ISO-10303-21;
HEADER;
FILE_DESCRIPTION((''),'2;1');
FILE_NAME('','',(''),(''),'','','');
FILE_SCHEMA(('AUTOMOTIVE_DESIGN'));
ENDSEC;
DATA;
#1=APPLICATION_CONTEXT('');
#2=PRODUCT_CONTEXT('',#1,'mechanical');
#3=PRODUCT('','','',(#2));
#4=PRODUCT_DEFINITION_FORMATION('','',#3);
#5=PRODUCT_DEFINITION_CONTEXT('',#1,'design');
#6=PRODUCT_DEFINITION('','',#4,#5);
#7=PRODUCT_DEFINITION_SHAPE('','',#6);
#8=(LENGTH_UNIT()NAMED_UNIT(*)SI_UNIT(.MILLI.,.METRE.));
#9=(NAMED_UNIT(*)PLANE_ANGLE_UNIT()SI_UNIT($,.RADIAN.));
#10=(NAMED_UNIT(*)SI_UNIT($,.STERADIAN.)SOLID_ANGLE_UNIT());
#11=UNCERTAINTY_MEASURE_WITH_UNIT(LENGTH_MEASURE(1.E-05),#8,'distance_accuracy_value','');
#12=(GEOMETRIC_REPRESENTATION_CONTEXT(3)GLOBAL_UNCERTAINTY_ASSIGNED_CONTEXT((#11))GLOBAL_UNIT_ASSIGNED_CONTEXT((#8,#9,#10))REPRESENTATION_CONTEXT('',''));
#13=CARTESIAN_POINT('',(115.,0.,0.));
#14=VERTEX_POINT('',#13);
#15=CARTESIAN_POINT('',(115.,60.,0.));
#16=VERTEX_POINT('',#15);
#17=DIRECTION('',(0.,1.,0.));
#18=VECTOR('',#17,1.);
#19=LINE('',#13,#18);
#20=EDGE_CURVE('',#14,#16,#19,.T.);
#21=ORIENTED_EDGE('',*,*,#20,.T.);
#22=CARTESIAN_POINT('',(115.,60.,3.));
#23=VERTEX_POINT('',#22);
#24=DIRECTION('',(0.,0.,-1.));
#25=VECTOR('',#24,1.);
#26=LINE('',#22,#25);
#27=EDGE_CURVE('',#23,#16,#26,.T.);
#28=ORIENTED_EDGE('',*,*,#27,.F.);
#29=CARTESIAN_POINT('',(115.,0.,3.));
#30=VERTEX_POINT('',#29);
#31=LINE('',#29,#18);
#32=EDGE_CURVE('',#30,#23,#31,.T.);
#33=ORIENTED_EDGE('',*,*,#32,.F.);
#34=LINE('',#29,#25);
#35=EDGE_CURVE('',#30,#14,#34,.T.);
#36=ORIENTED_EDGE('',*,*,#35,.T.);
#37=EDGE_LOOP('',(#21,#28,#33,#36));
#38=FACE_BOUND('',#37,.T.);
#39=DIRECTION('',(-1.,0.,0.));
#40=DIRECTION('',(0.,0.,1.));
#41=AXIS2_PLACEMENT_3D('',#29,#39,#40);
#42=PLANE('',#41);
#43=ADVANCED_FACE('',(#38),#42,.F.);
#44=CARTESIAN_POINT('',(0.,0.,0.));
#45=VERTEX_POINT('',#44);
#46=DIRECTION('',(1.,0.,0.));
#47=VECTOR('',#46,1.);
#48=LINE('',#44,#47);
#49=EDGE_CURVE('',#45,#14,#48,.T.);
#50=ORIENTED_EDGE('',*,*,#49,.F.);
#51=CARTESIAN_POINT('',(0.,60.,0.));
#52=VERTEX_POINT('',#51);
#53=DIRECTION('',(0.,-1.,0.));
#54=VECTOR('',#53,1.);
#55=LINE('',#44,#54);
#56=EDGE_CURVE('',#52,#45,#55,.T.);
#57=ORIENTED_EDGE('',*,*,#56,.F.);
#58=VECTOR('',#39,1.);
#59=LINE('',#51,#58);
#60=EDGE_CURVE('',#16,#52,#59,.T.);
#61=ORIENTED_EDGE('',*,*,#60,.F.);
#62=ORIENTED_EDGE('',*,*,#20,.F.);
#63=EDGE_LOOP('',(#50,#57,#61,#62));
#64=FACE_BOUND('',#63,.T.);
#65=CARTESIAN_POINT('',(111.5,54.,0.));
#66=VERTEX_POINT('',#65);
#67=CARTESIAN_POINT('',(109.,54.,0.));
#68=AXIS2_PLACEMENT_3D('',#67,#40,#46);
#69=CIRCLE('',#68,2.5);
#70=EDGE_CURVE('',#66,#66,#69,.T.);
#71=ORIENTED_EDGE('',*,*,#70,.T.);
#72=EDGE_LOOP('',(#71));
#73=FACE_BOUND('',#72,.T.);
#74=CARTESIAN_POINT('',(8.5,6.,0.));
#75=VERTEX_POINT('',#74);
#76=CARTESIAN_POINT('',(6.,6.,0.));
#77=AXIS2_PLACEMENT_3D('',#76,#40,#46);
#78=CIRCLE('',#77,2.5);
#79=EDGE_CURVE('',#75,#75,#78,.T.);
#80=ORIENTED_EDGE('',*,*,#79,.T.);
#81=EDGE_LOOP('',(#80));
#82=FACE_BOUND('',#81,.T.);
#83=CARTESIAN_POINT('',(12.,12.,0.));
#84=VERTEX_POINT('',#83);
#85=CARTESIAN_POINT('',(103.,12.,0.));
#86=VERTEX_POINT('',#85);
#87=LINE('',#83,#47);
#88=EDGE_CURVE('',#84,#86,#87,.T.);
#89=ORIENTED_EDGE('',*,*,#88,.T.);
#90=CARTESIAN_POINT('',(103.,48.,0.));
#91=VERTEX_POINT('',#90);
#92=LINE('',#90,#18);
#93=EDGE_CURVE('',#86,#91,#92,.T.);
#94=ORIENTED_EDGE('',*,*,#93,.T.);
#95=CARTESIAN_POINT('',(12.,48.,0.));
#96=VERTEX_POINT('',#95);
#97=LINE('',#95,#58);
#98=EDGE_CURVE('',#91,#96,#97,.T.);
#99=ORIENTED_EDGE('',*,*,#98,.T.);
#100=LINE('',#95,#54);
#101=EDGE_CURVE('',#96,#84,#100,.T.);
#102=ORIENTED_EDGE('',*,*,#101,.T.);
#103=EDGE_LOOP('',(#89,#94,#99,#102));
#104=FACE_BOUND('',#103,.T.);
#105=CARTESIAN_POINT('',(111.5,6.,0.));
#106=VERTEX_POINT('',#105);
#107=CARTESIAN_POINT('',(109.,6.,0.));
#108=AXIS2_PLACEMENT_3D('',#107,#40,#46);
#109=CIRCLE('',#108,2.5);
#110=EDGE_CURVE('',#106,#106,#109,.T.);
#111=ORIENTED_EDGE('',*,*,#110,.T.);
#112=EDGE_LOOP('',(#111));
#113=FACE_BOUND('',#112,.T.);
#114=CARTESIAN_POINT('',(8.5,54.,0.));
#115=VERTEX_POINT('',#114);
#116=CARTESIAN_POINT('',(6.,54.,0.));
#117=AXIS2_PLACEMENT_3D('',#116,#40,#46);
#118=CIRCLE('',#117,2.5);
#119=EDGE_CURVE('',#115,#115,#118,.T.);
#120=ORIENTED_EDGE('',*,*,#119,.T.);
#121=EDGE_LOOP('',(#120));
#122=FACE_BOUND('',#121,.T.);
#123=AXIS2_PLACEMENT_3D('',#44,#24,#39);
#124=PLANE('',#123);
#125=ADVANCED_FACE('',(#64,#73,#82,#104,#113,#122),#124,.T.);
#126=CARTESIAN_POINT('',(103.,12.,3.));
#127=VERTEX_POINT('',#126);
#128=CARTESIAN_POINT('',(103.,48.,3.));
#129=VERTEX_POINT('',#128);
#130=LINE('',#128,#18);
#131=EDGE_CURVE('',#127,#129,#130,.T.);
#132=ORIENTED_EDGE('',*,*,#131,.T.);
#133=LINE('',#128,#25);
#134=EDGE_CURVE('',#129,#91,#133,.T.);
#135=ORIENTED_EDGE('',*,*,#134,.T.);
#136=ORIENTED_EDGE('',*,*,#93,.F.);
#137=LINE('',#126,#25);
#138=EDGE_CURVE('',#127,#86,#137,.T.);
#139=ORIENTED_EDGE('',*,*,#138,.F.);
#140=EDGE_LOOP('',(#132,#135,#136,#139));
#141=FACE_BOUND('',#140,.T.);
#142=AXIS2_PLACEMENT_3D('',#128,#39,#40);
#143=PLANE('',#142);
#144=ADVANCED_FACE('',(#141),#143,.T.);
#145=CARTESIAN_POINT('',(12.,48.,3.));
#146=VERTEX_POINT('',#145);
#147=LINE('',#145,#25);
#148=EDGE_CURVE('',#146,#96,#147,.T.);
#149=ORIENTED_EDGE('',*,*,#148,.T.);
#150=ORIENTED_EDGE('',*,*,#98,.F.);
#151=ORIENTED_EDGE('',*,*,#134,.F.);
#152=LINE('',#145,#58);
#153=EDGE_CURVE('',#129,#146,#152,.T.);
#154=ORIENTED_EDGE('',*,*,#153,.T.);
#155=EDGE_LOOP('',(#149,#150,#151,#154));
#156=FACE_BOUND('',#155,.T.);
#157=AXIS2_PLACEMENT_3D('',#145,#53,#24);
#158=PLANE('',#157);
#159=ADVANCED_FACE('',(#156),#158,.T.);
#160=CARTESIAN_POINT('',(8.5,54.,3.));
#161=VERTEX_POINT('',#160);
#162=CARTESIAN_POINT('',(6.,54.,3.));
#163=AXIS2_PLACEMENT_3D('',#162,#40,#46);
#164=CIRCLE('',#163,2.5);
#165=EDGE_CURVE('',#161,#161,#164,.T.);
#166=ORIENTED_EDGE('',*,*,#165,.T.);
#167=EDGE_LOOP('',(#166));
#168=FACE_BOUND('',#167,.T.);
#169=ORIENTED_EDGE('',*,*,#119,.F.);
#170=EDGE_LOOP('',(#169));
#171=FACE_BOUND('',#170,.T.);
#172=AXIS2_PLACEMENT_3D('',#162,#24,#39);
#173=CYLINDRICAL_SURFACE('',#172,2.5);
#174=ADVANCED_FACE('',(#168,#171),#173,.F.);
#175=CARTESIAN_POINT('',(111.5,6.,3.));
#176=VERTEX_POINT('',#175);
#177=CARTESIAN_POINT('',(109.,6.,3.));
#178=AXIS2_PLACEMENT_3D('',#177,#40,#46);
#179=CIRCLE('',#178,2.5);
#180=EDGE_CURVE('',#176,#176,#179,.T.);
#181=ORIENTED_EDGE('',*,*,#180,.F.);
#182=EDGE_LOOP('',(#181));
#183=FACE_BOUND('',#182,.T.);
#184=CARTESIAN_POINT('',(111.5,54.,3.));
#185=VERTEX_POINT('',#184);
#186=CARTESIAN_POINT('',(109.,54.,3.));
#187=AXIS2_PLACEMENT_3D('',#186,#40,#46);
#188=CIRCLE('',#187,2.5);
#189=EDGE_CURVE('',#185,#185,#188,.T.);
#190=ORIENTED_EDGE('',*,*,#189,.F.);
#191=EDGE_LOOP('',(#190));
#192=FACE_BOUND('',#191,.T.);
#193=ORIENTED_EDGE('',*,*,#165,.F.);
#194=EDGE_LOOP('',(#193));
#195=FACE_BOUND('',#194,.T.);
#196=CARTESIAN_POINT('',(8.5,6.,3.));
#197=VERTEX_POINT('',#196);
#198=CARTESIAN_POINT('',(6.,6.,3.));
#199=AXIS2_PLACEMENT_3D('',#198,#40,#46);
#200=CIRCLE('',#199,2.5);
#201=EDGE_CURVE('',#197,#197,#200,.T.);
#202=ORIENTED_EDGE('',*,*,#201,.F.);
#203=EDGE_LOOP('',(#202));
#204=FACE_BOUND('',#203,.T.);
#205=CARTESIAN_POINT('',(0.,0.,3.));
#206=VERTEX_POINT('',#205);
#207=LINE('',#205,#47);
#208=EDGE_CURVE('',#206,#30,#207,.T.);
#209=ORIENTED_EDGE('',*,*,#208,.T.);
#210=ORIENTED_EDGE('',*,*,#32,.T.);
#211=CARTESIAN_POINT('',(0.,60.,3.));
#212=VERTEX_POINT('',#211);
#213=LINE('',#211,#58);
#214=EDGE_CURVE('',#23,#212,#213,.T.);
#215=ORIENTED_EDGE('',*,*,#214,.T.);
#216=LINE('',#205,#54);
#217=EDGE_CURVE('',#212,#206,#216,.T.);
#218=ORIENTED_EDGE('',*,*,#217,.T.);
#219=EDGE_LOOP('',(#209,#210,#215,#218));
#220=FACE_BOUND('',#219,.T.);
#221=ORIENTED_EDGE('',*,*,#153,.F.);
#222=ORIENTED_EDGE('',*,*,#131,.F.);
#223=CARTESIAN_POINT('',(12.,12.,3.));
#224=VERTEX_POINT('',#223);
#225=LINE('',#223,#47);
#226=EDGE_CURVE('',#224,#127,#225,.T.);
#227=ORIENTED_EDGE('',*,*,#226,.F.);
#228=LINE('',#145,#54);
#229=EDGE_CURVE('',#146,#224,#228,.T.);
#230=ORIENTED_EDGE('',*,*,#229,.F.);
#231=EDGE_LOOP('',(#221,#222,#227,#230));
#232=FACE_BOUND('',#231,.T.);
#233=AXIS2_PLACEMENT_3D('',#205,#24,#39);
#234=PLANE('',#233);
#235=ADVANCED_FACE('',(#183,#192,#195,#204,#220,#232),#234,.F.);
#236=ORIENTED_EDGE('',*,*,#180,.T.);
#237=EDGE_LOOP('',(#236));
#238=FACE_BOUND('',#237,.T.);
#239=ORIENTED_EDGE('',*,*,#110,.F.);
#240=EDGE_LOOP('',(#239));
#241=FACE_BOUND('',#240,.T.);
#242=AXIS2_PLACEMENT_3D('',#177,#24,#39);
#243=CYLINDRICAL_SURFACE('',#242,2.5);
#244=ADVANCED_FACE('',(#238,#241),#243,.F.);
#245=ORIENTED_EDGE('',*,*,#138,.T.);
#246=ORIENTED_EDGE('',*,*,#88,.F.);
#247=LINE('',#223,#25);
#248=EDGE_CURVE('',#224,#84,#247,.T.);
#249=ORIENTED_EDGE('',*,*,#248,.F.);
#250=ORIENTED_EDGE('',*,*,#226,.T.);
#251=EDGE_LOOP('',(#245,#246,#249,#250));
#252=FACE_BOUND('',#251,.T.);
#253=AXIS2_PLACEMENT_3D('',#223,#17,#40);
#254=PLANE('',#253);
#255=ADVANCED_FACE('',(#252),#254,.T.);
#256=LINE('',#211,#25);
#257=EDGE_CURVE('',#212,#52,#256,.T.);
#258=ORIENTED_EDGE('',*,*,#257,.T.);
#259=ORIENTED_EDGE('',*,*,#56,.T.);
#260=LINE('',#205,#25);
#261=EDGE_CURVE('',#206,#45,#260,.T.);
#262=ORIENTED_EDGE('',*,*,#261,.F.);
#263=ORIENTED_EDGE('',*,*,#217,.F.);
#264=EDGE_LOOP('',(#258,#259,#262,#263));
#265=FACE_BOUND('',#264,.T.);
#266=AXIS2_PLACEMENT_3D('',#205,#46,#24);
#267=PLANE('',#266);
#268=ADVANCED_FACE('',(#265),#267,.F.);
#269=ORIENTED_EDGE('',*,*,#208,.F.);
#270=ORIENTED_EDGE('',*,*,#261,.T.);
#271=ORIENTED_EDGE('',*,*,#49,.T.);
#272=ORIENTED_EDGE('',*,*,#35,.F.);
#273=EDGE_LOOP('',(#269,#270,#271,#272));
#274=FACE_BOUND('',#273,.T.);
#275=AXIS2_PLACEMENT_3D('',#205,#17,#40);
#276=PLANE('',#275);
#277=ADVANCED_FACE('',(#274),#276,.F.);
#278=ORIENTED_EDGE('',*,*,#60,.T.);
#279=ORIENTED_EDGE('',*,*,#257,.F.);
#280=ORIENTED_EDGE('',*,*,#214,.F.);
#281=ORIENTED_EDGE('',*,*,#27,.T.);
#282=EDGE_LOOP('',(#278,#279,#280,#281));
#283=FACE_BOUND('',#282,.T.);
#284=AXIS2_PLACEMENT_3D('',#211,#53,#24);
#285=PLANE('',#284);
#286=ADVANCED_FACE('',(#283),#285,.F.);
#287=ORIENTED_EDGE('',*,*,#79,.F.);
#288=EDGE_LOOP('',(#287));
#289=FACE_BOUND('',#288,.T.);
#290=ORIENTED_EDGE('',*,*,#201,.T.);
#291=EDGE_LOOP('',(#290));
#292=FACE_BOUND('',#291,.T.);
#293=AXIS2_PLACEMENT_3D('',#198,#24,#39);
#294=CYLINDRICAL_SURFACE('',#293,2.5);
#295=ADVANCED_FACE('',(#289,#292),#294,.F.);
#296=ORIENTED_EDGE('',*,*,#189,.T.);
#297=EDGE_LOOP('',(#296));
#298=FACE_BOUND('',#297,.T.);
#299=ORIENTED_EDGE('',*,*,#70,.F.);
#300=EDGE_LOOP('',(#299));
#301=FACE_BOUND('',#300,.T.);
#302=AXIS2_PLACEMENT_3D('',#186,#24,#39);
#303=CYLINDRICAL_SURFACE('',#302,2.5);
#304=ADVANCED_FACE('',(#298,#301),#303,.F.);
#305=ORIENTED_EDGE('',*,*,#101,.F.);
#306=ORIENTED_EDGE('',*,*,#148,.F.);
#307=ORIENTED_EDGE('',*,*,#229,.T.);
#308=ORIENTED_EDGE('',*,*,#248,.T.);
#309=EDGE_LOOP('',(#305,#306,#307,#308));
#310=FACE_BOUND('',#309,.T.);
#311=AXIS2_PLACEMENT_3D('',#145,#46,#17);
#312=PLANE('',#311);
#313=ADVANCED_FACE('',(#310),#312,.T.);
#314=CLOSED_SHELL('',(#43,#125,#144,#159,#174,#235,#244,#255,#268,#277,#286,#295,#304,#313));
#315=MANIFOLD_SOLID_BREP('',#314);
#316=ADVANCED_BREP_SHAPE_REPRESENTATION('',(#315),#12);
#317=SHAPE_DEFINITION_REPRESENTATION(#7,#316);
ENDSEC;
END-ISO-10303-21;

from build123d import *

# Parameters (mm, degrees)
SKETCH1_W           = 115
SKETCH1_H           = 60
SKETCH1_R           = 2.5
SKETCH1_W_2         = 91
SKETCH1_H_2         = 36
BOSS_EXTRUDE1_DEPTH = 3


with BuildPart() as part:
    # Sketch1 → Boss-Extrude1 (new body)
    with BuildSketch(Plane.XY):
        with Locations((57.5, 30)):
            Rectangle(SKETCH1_W, SKETCH1_H)
        with Locations((6, 6)):
            Circle(SKETCH1_R, mode=Mode.SUBTRACT)
        with Locations((6, 54)):
            Circle(SKETCH1_R, mode=Mode.SUBTRACT)
        with Locations((109, 54)):
            Circle(SKETCH1_R, mode=Mode.SUBTRACT)
        with Locations((109, 6)):
            Circle(SKETCH1_R, mode=Mode.SUBTRACT)
        with Locations((57.5, 30)):
            Rectangle(SKETCH1_W_2, SKETCH1_H_2, mode=Mode.SUBTRACT)
    extrude(amount=BOSS_EXTRUDE1_DEPTH)


solid = part.part
